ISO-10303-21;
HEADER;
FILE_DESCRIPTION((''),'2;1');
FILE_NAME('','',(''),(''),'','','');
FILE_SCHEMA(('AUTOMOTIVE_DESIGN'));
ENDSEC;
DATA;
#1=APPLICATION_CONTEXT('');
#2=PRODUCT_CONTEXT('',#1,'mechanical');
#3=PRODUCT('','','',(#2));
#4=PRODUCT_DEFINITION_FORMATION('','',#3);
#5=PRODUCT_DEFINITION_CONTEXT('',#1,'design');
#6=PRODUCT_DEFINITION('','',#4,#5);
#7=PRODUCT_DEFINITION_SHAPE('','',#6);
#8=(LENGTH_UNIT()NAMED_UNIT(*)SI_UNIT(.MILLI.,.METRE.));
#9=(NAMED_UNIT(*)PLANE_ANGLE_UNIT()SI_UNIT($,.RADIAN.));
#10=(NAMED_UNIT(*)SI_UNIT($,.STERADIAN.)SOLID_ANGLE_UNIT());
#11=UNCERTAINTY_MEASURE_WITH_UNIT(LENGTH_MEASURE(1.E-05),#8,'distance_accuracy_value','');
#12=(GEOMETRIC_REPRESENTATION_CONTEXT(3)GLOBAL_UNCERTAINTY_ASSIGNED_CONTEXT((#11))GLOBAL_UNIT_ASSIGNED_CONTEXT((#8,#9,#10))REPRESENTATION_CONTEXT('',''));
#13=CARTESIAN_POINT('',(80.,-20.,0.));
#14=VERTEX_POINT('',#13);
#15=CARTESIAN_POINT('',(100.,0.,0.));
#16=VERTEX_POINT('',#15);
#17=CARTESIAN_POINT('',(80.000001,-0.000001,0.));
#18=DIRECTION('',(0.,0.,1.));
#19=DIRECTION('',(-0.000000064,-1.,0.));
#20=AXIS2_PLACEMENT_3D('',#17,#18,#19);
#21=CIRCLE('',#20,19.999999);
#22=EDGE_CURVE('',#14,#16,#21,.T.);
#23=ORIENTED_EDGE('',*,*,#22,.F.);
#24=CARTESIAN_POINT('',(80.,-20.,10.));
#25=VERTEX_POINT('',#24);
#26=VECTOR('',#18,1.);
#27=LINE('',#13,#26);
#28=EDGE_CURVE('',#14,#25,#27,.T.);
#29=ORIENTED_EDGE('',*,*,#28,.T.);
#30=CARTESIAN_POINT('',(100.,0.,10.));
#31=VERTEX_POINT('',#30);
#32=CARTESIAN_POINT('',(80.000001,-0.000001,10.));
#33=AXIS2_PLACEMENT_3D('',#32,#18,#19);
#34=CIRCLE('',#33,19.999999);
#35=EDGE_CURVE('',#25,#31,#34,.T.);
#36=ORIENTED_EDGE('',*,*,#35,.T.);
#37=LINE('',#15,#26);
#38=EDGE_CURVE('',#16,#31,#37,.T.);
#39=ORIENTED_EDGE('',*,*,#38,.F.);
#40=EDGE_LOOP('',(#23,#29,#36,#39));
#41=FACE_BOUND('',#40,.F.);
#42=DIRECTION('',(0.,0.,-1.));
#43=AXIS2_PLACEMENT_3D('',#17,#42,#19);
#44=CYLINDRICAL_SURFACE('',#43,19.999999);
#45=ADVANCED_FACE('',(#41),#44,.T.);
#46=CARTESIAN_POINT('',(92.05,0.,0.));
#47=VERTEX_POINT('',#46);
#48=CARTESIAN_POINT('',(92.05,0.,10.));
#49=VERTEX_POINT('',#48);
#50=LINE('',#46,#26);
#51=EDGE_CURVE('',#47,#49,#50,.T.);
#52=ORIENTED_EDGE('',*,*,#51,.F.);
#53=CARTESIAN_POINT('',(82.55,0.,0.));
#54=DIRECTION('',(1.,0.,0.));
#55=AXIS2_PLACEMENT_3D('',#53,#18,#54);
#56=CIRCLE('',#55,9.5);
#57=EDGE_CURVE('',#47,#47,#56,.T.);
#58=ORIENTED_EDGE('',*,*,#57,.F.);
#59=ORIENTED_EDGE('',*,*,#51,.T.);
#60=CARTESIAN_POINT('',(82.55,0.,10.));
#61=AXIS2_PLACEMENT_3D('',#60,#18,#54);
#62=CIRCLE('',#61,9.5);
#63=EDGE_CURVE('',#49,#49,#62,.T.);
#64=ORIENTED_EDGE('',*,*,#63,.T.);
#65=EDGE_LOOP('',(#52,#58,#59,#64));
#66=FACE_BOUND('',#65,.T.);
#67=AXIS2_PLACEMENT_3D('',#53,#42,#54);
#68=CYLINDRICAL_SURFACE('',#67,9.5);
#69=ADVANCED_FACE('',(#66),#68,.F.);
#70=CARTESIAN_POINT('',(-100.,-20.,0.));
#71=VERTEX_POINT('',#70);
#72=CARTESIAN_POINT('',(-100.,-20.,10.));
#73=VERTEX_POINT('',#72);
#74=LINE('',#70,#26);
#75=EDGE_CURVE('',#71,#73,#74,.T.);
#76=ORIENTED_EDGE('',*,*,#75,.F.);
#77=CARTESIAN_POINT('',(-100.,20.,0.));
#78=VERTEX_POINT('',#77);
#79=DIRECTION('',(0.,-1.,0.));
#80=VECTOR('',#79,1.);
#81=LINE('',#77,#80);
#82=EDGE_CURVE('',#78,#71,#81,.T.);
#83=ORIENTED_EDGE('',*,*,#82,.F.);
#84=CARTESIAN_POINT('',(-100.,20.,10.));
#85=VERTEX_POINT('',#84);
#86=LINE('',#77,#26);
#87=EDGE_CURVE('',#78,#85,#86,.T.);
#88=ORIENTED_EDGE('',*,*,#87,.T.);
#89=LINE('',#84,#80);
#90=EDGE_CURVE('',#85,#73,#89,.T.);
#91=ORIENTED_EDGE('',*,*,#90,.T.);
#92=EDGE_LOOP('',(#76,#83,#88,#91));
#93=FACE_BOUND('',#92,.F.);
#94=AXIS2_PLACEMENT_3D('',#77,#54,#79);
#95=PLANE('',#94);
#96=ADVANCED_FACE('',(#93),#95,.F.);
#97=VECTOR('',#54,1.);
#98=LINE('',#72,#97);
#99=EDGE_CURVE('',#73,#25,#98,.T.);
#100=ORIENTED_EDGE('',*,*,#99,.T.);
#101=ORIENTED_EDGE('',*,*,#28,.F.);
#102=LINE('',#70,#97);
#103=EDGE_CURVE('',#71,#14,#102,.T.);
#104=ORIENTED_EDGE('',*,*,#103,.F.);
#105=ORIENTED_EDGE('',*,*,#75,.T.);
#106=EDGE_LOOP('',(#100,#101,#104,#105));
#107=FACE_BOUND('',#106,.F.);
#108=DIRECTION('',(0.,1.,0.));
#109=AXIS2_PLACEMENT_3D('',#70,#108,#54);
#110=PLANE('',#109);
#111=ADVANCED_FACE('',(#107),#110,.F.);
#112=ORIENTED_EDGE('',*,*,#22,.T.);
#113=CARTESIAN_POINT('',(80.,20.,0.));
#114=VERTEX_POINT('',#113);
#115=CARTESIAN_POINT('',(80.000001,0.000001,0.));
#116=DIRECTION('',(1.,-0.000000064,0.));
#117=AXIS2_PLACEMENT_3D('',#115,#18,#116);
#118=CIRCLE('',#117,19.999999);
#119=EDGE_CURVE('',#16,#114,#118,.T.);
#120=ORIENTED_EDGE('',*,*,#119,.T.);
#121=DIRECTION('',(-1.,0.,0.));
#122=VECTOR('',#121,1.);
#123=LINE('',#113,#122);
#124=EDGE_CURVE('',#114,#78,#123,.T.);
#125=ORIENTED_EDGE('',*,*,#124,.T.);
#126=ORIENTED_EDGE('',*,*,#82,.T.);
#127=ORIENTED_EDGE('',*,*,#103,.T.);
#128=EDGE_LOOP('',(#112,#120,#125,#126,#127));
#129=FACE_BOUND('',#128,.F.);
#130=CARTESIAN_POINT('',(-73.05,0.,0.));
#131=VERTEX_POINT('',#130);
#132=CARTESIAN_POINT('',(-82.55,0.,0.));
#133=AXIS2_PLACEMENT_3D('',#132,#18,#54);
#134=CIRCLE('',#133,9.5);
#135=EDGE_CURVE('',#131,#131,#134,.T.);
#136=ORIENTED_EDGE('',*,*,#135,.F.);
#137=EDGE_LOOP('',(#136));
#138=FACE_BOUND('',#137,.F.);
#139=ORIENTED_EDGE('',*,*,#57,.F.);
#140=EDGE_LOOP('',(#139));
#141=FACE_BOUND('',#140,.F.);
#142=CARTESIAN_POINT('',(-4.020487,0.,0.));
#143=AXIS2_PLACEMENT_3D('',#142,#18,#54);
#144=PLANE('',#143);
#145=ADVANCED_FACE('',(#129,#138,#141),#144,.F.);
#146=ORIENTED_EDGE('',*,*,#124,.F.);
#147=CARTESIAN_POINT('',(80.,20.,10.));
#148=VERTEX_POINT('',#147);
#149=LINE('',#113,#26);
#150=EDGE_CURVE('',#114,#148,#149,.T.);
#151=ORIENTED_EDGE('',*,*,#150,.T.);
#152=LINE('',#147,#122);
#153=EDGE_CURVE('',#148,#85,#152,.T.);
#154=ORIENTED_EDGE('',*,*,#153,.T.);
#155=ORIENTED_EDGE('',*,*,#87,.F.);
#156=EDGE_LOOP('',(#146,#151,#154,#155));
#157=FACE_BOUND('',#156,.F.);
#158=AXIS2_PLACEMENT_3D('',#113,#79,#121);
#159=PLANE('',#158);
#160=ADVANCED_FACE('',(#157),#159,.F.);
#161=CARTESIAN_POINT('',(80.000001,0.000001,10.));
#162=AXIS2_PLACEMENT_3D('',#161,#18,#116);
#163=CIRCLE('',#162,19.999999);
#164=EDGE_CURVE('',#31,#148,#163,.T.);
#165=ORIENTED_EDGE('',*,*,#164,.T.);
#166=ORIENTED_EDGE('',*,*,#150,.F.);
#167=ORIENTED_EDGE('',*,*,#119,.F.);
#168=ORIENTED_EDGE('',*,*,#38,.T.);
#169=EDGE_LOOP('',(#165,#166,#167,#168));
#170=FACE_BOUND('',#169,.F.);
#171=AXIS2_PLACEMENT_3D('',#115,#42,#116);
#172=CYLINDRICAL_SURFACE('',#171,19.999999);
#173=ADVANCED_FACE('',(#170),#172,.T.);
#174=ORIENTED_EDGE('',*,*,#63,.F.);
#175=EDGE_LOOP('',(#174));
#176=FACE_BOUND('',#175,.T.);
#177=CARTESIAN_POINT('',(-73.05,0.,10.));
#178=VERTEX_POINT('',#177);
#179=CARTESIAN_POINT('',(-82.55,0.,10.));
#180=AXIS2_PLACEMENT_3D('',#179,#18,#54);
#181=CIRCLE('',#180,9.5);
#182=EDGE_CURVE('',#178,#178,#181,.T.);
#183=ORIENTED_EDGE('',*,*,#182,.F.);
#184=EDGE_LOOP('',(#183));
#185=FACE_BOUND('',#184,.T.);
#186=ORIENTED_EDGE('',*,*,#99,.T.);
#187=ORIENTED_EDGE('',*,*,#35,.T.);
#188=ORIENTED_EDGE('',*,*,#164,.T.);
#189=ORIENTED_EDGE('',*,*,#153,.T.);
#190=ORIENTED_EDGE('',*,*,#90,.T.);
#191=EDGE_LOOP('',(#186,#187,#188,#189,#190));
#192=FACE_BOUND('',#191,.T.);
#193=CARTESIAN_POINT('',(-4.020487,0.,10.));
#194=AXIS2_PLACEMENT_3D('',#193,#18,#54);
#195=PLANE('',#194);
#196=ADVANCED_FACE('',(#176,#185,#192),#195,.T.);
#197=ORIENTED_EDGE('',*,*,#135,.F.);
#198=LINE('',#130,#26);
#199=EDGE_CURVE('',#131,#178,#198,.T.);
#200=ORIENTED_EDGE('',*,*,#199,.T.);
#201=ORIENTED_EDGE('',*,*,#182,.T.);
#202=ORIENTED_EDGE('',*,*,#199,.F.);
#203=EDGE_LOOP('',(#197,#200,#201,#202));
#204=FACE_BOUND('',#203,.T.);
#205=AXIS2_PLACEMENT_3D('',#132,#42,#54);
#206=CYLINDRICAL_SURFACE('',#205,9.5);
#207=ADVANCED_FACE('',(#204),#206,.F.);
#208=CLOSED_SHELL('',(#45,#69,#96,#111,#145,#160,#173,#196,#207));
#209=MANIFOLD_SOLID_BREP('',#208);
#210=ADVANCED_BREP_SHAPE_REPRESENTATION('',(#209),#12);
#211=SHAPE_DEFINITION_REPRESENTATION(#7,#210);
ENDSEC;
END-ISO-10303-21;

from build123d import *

# Parameters (mm, degrees)
F0_R     = 9.5
F1_DEPTH = 10


with BuildPart() as f1:
    # F0 (on Top) → F1 (new body)
    with BuildSketch(Plane.XY):
        with BuildLine():
            Line((-100, -20), (80, -20))
            ThreePointArc((80, -20), (94.142136, -14.142136), (100, 0))
            ThreePointArc((100, 0), (94.142136, 14.142136), (80, 20))
            Line((80, 20), (-100, 20))
            Line((-100, 20), (-100, -20))
        make_face()
        with Locations((-82.55, 0)):
            Circle(F0_R, mode=Mode.SUBTRACT)
        with Locations((82.55, 0)):
            Circle(F0_R, mode=Mode.SUBTRACT)
    extrude(amount=F1_DEPTH)


solid = f1.part
